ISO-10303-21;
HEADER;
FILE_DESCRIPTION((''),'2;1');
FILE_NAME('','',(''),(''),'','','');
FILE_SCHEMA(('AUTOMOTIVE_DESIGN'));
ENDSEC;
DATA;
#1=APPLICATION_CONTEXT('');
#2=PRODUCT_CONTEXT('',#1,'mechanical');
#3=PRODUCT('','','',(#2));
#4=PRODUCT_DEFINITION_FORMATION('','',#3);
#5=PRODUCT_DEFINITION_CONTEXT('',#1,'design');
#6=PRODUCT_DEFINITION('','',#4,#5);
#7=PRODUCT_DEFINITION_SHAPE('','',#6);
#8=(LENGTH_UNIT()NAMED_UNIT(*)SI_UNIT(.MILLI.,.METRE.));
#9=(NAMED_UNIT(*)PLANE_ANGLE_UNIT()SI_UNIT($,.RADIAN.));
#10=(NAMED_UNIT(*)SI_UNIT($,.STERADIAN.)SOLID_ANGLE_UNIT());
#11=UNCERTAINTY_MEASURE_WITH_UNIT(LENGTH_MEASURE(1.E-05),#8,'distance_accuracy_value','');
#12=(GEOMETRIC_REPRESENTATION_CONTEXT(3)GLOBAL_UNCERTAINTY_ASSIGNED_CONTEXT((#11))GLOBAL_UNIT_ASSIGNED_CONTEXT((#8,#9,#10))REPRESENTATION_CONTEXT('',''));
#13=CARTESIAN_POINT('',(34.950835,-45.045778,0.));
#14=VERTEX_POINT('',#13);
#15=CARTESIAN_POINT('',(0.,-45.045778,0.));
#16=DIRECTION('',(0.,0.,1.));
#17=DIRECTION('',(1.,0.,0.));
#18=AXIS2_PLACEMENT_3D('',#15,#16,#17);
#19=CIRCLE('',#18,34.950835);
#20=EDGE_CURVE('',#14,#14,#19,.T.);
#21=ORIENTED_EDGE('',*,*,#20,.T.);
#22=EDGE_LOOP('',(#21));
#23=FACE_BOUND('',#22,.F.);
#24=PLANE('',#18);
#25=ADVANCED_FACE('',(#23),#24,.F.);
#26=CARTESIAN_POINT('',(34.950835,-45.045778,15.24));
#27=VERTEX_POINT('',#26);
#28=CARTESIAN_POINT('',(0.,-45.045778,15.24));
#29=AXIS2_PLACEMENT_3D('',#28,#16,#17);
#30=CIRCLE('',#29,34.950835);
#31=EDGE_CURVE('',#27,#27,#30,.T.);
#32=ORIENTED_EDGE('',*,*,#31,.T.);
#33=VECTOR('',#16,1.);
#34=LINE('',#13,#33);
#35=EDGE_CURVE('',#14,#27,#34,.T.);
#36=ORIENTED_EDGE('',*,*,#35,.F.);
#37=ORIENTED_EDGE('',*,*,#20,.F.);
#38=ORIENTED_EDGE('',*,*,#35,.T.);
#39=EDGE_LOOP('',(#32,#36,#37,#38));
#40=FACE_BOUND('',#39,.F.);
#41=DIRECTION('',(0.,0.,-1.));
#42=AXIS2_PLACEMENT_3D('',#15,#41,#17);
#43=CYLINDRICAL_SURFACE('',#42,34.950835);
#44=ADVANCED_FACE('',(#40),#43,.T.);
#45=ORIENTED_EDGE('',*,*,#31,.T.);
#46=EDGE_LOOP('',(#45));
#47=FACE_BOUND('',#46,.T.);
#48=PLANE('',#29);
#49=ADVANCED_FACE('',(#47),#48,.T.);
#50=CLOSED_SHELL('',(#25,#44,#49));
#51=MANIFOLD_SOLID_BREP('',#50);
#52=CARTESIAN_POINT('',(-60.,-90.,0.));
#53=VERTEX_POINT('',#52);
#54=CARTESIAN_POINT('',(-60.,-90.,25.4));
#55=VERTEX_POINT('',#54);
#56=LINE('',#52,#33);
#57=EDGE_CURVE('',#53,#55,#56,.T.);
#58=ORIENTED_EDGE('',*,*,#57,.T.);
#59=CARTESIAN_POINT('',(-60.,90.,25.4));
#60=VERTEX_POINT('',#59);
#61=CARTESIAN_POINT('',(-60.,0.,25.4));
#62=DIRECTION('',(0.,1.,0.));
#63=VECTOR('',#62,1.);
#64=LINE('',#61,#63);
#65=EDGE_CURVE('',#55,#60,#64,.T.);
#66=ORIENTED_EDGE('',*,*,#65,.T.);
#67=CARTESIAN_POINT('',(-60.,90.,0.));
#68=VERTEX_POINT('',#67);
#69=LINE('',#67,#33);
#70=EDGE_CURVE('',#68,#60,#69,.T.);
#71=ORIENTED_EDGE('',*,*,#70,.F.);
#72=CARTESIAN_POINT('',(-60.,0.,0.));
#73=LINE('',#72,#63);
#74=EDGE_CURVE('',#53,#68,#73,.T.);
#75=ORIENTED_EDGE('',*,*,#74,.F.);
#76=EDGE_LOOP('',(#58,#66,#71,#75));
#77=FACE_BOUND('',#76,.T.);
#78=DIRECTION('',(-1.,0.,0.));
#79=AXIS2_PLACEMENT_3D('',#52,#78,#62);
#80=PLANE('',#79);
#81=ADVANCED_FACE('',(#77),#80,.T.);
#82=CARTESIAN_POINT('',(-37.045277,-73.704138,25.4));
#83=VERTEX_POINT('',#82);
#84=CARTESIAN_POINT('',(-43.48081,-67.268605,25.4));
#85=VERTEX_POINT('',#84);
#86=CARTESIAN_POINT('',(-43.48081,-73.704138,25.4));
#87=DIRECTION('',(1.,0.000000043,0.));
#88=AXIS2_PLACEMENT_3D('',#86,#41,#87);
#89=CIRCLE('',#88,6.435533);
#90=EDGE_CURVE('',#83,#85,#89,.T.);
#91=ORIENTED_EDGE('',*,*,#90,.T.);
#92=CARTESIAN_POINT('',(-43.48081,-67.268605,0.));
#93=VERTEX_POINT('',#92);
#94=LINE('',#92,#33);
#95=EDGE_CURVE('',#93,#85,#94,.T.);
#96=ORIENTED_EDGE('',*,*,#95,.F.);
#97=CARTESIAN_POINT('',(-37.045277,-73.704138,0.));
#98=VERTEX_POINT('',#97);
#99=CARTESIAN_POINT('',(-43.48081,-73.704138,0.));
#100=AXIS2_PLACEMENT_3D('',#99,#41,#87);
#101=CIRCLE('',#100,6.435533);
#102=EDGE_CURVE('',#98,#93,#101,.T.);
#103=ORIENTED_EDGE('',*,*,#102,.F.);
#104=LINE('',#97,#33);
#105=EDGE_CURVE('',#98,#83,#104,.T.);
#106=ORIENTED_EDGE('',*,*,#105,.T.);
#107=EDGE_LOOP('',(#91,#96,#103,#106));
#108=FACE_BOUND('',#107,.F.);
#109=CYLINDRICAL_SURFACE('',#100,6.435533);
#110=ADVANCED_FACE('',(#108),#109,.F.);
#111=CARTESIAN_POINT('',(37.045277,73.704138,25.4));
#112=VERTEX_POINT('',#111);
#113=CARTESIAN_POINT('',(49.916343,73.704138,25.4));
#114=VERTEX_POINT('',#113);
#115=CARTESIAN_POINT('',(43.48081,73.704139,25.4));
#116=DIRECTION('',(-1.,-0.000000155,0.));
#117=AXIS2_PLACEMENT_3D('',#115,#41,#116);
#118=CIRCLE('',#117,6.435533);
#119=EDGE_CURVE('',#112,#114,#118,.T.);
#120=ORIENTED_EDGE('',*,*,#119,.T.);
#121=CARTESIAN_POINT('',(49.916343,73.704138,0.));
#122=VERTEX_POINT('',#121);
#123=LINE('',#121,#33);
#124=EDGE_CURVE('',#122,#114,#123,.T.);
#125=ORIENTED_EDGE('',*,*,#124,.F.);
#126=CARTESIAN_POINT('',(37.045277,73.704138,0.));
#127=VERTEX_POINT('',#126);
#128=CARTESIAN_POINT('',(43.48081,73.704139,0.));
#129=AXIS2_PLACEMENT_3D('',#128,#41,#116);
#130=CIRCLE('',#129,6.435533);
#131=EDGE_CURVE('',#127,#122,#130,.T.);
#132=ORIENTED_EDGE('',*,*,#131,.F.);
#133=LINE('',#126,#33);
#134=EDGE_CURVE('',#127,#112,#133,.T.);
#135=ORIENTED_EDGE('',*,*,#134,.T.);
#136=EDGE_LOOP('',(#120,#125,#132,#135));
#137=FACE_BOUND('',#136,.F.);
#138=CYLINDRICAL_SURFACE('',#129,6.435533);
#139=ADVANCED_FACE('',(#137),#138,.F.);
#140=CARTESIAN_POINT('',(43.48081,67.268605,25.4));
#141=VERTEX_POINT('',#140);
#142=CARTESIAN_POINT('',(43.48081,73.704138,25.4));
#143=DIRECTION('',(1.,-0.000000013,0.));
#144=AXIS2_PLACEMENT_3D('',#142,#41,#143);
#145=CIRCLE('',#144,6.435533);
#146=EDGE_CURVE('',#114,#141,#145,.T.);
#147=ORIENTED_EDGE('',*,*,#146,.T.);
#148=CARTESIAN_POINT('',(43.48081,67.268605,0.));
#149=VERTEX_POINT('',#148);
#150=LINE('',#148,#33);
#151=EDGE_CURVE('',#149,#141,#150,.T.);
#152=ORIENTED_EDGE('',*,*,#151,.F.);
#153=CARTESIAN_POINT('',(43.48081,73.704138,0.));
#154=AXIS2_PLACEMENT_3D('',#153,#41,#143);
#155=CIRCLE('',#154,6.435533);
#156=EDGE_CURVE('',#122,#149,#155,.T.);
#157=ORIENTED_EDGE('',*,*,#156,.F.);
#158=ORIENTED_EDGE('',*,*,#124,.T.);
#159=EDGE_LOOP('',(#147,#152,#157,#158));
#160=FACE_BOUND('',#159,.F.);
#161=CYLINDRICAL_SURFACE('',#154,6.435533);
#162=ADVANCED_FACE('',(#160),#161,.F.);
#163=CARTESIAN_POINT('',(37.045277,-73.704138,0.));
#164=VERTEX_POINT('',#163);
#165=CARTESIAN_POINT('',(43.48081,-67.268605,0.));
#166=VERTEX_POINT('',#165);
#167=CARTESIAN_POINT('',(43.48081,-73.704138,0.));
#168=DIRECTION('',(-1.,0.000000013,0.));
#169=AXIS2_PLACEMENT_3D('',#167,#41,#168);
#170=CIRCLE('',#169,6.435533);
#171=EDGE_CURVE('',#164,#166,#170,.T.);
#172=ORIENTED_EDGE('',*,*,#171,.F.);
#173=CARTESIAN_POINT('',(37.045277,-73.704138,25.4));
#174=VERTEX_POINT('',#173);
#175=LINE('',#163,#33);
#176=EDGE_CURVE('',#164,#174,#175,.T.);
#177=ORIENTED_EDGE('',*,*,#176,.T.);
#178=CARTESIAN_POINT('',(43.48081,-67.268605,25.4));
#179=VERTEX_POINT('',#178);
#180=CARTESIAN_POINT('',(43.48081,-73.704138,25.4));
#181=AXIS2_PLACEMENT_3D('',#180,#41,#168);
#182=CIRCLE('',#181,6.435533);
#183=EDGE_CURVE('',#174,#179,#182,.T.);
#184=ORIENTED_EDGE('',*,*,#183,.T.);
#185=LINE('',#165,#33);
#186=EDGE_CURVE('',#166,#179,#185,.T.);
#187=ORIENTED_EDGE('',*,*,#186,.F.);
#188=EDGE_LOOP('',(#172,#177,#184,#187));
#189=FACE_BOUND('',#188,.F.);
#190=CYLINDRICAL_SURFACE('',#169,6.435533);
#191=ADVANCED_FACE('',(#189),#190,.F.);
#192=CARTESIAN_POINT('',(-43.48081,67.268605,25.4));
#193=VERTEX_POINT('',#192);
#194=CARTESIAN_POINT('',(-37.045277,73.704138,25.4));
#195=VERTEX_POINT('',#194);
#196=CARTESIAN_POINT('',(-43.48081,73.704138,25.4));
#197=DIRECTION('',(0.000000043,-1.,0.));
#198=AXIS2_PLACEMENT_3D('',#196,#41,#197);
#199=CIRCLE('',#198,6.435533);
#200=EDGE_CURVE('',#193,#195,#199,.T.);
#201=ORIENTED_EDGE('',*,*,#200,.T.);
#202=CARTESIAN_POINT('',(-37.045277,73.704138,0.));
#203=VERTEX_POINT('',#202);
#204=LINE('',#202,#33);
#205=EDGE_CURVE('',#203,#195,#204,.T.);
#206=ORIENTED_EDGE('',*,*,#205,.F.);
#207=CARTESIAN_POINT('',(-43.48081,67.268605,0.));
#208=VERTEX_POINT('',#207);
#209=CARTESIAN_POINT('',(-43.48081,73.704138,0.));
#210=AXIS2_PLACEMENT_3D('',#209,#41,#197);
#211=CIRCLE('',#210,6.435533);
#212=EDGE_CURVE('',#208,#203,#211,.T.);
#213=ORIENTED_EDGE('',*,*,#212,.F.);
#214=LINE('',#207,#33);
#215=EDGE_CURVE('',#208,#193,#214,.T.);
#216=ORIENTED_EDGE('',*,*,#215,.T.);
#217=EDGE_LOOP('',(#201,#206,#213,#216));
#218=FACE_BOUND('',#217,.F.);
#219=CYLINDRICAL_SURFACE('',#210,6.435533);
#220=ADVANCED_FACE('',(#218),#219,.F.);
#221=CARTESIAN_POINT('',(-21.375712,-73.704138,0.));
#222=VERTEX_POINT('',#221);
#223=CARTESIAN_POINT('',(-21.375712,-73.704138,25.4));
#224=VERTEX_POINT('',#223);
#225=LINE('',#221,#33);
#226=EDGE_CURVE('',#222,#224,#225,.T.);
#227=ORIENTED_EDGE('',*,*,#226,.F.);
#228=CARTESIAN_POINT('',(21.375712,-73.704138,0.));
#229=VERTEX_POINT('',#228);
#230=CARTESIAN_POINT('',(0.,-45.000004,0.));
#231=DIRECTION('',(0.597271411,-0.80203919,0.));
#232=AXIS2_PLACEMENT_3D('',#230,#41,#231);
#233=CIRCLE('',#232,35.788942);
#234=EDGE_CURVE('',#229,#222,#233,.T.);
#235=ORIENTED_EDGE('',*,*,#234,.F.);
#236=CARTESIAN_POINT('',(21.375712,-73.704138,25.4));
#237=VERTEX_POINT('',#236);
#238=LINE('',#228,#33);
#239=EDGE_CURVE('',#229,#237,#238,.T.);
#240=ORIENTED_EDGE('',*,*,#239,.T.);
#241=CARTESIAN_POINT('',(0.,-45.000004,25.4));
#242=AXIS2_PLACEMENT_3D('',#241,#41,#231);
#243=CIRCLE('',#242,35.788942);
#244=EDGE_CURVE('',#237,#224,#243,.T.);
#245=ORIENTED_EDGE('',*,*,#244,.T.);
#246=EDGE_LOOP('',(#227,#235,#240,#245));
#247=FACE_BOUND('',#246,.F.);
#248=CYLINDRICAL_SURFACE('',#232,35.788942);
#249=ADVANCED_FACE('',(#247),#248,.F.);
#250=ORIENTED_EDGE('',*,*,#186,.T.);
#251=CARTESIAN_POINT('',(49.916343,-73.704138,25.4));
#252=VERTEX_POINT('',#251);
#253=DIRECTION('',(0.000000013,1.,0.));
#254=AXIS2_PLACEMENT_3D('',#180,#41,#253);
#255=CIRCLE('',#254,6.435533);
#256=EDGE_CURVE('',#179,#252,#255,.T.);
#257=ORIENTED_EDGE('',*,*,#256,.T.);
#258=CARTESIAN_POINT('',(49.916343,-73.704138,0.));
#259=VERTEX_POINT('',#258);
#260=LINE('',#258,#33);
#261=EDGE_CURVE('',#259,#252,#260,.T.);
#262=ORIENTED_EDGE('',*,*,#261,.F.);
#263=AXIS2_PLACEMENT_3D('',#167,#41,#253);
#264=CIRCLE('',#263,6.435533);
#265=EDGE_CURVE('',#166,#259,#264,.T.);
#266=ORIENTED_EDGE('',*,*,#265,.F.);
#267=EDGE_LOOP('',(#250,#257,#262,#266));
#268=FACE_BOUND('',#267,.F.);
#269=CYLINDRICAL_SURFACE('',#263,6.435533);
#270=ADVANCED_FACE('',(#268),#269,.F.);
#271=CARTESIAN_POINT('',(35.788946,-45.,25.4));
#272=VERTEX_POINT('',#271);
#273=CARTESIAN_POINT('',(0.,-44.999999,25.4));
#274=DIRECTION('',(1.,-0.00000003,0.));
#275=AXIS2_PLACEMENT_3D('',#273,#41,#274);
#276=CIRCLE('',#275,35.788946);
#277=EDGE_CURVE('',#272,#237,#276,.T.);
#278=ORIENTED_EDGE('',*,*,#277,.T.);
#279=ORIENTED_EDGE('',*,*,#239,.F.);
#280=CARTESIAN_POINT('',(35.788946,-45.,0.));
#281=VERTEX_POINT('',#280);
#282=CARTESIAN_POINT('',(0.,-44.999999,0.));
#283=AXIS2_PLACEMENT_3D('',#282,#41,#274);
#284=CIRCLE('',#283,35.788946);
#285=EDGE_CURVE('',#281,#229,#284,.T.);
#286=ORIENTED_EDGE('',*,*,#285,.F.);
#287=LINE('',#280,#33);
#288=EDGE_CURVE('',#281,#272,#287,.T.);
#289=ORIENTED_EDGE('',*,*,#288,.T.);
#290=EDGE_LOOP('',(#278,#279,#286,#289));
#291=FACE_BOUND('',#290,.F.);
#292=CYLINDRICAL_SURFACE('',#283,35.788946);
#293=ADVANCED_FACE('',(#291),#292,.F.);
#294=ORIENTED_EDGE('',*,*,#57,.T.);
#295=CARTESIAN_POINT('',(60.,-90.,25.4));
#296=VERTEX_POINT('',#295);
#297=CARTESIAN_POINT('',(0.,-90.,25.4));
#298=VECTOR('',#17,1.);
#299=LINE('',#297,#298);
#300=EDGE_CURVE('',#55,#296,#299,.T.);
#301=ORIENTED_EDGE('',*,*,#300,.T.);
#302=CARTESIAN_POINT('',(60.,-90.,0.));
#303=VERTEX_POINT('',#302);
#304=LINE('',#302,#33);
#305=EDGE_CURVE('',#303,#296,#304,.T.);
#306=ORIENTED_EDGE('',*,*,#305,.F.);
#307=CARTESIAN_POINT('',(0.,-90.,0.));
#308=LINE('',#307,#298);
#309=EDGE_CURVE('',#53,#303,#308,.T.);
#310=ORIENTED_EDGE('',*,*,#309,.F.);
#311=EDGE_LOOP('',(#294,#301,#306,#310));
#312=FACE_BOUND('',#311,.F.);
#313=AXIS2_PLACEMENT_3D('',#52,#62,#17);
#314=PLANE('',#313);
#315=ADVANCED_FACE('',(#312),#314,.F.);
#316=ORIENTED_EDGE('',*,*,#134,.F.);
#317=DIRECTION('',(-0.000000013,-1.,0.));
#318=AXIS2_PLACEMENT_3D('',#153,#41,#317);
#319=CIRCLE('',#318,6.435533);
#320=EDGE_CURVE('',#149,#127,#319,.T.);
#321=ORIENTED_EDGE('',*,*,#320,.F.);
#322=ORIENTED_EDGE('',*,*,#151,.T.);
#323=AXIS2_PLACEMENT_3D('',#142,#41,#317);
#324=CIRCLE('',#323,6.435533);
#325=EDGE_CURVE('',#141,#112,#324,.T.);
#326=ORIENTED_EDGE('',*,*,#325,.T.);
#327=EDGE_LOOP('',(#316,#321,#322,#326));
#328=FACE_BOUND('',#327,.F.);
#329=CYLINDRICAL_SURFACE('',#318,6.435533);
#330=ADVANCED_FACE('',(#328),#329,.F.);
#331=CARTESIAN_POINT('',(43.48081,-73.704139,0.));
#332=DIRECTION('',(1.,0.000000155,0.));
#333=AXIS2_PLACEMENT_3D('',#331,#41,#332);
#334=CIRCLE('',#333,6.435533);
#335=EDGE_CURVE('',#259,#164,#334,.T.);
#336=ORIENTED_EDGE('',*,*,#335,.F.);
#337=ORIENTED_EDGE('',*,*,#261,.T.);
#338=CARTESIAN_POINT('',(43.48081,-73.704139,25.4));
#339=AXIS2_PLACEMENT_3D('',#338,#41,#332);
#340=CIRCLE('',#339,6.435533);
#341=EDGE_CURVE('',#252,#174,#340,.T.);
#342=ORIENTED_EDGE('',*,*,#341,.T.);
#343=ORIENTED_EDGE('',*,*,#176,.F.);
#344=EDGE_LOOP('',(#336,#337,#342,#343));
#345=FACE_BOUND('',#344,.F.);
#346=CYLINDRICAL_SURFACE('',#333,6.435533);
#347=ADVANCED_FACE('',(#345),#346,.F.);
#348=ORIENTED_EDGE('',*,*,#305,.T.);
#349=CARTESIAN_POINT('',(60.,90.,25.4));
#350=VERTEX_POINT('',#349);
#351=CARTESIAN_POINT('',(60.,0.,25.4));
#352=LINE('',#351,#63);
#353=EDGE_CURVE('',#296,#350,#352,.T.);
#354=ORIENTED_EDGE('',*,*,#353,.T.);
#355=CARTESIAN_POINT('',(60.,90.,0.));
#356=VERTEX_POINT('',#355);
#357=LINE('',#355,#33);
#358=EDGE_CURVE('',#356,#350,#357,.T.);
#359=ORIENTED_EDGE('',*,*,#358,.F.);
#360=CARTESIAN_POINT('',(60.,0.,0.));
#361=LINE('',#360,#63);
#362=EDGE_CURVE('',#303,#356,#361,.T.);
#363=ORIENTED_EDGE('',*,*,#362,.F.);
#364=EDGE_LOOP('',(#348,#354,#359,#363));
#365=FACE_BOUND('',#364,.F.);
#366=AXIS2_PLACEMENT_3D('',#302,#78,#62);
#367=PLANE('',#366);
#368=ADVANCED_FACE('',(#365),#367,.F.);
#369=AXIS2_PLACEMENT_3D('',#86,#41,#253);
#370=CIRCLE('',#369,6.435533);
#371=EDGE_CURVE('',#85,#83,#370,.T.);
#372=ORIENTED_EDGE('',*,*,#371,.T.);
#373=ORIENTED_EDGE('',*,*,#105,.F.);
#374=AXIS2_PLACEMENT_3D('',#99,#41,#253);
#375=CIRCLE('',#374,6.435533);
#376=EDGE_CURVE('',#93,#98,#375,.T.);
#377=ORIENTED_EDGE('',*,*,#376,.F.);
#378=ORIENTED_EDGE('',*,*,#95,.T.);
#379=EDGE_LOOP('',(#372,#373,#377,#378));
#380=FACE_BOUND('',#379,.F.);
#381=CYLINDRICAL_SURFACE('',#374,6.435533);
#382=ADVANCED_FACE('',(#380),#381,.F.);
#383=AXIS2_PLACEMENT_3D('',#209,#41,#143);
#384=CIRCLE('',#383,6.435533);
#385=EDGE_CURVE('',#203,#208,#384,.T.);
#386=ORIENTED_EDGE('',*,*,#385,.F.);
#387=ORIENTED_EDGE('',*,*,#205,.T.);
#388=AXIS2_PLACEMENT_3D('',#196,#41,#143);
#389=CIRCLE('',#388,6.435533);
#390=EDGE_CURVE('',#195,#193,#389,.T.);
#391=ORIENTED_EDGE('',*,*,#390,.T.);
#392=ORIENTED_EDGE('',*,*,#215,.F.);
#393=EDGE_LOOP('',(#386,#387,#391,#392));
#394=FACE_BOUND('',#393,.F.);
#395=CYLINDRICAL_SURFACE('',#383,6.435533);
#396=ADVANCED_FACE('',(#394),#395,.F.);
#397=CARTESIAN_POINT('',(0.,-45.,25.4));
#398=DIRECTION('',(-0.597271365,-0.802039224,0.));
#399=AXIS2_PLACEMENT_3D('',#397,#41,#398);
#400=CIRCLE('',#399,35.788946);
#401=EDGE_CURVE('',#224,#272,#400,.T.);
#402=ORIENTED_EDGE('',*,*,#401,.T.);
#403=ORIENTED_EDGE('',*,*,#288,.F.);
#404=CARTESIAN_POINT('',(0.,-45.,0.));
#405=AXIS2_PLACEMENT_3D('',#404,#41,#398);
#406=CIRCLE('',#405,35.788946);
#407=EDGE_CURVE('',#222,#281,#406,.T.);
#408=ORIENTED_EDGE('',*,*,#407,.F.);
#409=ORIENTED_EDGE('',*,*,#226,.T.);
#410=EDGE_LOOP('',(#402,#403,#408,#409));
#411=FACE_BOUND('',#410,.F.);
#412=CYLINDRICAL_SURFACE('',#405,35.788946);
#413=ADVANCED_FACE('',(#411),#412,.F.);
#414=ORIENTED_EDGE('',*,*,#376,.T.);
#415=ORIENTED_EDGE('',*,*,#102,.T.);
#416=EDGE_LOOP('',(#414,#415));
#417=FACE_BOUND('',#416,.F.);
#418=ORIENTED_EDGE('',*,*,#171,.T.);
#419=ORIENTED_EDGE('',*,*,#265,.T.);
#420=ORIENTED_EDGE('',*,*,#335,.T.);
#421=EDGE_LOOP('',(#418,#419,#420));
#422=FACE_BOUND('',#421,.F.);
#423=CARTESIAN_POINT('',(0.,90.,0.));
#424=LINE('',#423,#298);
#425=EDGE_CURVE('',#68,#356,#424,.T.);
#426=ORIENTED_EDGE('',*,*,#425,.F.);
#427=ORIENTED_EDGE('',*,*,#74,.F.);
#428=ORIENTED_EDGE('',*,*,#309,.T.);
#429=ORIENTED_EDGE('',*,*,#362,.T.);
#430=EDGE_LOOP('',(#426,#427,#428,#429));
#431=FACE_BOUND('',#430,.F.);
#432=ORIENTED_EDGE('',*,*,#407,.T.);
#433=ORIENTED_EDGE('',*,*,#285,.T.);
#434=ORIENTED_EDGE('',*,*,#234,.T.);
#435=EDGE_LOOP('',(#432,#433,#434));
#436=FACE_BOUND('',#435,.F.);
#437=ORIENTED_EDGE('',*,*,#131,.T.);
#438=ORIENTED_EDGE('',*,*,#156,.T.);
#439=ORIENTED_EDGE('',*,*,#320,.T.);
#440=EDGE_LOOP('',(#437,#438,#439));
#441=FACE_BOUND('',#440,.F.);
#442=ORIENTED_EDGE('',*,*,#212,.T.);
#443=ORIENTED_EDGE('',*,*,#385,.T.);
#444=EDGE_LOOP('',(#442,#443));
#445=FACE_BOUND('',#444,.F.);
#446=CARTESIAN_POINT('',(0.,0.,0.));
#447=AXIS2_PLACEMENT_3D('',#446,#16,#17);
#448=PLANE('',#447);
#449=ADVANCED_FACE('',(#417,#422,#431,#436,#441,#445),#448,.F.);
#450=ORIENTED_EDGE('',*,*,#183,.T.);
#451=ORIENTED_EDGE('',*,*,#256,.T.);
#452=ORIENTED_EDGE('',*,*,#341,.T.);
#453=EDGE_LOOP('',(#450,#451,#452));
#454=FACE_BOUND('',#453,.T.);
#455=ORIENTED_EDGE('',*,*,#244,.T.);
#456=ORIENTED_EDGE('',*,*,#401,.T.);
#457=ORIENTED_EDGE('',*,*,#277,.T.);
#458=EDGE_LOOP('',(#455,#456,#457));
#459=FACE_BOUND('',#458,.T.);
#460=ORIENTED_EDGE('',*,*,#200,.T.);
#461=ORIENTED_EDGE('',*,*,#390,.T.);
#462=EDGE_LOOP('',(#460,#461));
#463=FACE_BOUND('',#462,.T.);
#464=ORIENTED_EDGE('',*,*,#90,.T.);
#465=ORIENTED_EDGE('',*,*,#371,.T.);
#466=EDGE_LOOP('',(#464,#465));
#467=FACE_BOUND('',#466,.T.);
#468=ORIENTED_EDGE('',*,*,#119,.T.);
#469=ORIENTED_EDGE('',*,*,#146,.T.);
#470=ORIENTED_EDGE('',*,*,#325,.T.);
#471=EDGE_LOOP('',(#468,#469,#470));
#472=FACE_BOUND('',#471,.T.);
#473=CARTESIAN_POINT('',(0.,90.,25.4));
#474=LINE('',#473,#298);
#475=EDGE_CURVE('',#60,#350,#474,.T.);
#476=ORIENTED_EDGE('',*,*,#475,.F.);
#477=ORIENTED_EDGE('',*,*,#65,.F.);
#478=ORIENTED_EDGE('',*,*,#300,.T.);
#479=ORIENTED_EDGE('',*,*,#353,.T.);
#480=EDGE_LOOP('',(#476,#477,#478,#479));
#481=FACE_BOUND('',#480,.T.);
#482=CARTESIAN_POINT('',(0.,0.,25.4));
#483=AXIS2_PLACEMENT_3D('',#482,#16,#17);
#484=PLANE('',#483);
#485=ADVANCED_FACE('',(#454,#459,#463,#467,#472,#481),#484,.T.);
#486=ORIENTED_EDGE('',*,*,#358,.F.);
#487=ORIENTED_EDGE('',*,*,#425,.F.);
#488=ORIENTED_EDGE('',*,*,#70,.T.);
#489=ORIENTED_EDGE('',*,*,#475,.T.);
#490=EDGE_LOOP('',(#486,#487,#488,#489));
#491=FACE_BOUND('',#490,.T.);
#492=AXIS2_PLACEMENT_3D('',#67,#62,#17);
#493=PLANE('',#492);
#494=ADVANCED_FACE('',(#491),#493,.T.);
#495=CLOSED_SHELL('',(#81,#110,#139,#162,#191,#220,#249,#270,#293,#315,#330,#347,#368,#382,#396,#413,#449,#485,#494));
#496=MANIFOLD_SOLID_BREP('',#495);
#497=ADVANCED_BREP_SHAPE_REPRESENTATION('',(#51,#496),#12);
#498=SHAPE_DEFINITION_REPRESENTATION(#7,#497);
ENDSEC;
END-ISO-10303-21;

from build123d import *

# Parameters (mm, degrees)
F0_W     = 120
F0_H     = 180
F1_DEPTH = 25.4
F2_R     = 34.950835
F3_DEPTH = 15.24


with BuildPart() as f1:
    # F0 (on Top) → F1 (new body)
    with BuildSketch(Plane.XY):
        Rectangle(F0_W, F0_H)
        with BuildLine():
            ThreePointArc((21.375712, -73.704138), (0, -80.788946), (-21.375712, -73.704138))
            Line((-21.375712, -73.704138), (-37.045277, -73.704138))
            ThreePointArc((-37.045277, -73.704138), (-48.031419, -78.254748), (-43.48081, -67.268605))
            Line((-43.48081, -67.268605), (-43.48081, 0))
            Line((-43.48081, 0), (-43.48081, 67.268605))
            ThreePointArc((-43.48081, 67.268605), (-48.031419, 78.254748), (-37.045277, 73.704138))
            Line((-37.045277, 73.704138), (37.045277, 73.704138))
            ThreePointArc((37.045277, 73.704138), (43.48081, 80.139672), (49.916343, 73.704138))
            ThreePointArc((49.916343, 73.704138), (48.031419, 69.153529), (43.48081, 67.268605))
            Line((43.48081, 67.268605), (43.48081, 0))
            Line((43.48081, 0), (43.48081, -67.268605))
            ThreePointArc((43.48081, -67.268605), (48.031419, -69.153529), (49.916343, -73.704138))
            ThreePointArc((49.916343, -73.704138), (43.48081, -80.139672), (37.045277, -73.704138))
            Line((37.045277, -73.704138), (21.375712, -73.704138))
        make_face(mode=Mode.SUBTRACT)
        with BuildLine():
            Line((-43.48081, 67.268605), (-43.48081, 0))
            Line((-43.48081, 0), (43.48081, 0))
            Line((43.48081, 0), (43.48081, 67.268605))
            ThreePointArc((43.48081, 67.268605), (38.930201, 69.153529), (37.045277, 73.704138))
            Line((37.045277, 73.704138), (-37.045277, 73.704138))
            ThreePointArc((-37.045277, 73.704138), (-38.930201, 69.153529), (-43.48081, 67.268605))
        make_face()
        with BuildLine():
            ThreePointArc((-21.375712, -73.704138), (-16.059801, -13.016701), (35.788946, -45))
            ThreePointArc((35.788946, -45), (31.983299, -61.059801), (21.375712, -73.704138))
            Line((21.375712, -73.704138), (37.045277, -73.704138))
            ThreePointArc((37.045277, -73.704138), (38.930201, -69.153529), (43.48081, -67.268605))
            Line((43.48081, -67.268605), (43.48081, 0))
            Line((43.48081, 0), (-43.48081, 0))
            Line((-43.48081, 0), (-43.48081, -67.268605))
            ThreePointArc((-43.48081, -67.268605), (-38.930201, -69.153529), (-37.045277, -73.704138))
            Line((-37.045277, -73.704138), (-21.375712, -73.704138))
        make_face()
    extrude(amount=F1_DEPTH)


with BuildPart() as f3:
    # F2 (on Top) → F3 (new body)
    with BuildSketch(Plane.XY):
        with Locations((0, -45.045778)):
            Circle(F2_R)
    extrude(amount=F3_DEPTH)


solid = Compound([f1.part, f3.part])
